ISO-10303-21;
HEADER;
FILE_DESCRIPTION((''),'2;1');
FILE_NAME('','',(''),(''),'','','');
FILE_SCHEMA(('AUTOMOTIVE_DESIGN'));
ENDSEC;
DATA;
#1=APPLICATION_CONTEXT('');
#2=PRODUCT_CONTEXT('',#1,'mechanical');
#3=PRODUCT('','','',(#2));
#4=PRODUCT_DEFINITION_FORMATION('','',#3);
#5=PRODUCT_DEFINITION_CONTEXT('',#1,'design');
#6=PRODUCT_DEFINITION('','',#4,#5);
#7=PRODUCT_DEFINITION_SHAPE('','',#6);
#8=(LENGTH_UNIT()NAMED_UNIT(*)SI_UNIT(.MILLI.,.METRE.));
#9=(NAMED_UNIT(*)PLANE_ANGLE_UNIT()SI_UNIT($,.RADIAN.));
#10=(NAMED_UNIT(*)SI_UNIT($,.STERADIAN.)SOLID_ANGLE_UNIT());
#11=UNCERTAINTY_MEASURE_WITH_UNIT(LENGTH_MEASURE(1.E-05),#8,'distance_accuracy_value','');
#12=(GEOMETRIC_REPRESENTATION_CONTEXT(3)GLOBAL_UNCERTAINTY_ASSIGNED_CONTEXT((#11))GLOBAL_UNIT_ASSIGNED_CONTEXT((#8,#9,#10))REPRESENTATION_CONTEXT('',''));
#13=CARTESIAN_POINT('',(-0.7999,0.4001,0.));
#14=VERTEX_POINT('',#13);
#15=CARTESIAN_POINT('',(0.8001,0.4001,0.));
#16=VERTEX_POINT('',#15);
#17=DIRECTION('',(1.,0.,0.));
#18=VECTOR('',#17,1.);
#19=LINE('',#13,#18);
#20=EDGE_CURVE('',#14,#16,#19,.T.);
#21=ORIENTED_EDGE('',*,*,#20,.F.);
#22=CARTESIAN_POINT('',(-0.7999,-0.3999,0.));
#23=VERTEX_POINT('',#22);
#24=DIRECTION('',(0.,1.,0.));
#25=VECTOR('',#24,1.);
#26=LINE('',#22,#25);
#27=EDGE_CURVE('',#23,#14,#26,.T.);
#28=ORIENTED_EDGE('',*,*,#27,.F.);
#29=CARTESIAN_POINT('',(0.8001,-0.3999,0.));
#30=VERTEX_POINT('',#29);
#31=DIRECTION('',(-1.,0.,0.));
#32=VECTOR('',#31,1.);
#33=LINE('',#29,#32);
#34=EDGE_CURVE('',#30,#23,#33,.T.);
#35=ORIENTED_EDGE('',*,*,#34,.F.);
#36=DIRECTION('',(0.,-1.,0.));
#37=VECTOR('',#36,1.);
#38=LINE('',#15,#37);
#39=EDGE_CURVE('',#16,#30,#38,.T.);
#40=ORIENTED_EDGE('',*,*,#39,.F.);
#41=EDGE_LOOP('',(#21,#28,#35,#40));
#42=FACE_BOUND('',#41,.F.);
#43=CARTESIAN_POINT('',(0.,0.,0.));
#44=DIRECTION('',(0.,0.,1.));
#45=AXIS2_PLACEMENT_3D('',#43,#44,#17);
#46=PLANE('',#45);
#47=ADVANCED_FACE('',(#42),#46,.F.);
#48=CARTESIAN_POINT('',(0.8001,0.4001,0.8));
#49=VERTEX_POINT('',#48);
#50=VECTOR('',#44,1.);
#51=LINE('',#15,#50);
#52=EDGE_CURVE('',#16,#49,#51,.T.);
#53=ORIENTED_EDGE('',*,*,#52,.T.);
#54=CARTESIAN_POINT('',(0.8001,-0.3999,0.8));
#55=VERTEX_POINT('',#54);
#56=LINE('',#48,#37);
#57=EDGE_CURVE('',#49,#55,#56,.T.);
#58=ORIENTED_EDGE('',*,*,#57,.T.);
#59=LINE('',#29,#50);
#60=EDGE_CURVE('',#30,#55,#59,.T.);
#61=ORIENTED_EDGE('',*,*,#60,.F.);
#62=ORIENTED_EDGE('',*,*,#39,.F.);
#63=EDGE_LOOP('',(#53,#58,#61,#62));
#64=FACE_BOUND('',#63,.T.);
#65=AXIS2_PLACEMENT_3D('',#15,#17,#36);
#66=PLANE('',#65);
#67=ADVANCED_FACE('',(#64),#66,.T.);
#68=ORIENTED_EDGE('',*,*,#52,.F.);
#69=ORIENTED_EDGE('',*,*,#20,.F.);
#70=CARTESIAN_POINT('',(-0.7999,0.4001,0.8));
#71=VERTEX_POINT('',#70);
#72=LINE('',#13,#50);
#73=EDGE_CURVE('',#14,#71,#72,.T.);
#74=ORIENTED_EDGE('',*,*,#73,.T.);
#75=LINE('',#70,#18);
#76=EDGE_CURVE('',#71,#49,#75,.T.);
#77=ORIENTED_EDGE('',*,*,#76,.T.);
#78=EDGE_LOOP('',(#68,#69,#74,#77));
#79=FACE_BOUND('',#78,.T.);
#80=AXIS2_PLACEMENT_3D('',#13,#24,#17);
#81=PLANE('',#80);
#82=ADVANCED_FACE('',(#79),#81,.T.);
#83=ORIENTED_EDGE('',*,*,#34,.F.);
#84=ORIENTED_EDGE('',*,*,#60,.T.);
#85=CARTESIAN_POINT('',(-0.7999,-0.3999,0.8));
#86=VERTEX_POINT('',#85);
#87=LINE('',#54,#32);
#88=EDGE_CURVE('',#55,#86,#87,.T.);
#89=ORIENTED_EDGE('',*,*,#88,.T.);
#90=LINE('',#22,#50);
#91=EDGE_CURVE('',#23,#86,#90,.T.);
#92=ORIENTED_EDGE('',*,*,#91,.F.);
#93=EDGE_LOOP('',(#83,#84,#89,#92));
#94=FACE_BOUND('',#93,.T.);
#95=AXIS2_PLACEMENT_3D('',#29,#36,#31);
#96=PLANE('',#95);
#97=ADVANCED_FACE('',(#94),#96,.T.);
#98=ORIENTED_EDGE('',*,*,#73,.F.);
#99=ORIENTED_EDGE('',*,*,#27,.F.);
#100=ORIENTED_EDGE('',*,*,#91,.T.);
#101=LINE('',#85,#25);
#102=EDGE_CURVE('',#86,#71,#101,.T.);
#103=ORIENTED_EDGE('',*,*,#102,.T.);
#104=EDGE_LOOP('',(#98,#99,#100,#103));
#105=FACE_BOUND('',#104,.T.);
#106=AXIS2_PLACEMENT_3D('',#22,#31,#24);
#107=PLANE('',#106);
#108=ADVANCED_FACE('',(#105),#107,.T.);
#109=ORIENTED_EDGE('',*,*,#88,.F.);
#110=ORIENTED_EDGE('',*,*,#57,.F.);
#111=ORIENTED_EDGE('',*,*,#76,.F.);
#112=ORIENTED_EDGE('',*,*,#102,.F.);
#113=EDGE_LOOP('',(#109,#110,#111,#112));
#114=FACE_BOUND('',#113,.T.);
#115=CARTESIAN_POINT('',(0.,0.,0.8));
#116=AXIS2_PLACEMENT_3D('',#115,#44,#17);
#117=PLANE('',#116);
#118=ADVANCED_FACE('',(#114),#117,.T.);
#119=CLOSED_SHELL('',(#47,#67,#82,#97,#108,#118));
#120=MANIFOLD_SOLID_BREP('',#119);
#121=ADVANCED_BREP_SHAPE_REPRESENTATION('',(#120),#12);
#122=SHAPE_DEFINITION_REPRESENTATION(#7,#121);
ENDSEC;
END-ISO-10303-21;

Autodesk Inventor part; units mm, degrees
ref_plane "YZ Plane" through (0, 0, 0) normal (1, 0, 0) x (0, 1, 0)
ref_plane "XZ Plane" through (0, 0, 0) normal (0, 1, 0) x (-1, 0, 0)
ref_plane "XY Plane" through (0, 0, 0) normal (0, 0, 1) x (1, 0, 0)
sketch "R0603, 10r_85" plane through (0, 0, 0) normal (0, 0, 1) x (1, 0, 0)
  line L0 (0.8001, -0.3999) -> (-0.7999, -0.3999)
  line L1 (-0.7999, -0.3999) -> (-0.7999, 0.4001)
  line L2 (-0.7999, 0.4001) -> (0.8001, 0.4001)
  line L3 (0.8001, 0.4001) -> (0.8001, -0.3999)
extrude "Extrusion1" add sketch "R0603, 10r_85" along normal blind 0.8
properties part number "10r"
